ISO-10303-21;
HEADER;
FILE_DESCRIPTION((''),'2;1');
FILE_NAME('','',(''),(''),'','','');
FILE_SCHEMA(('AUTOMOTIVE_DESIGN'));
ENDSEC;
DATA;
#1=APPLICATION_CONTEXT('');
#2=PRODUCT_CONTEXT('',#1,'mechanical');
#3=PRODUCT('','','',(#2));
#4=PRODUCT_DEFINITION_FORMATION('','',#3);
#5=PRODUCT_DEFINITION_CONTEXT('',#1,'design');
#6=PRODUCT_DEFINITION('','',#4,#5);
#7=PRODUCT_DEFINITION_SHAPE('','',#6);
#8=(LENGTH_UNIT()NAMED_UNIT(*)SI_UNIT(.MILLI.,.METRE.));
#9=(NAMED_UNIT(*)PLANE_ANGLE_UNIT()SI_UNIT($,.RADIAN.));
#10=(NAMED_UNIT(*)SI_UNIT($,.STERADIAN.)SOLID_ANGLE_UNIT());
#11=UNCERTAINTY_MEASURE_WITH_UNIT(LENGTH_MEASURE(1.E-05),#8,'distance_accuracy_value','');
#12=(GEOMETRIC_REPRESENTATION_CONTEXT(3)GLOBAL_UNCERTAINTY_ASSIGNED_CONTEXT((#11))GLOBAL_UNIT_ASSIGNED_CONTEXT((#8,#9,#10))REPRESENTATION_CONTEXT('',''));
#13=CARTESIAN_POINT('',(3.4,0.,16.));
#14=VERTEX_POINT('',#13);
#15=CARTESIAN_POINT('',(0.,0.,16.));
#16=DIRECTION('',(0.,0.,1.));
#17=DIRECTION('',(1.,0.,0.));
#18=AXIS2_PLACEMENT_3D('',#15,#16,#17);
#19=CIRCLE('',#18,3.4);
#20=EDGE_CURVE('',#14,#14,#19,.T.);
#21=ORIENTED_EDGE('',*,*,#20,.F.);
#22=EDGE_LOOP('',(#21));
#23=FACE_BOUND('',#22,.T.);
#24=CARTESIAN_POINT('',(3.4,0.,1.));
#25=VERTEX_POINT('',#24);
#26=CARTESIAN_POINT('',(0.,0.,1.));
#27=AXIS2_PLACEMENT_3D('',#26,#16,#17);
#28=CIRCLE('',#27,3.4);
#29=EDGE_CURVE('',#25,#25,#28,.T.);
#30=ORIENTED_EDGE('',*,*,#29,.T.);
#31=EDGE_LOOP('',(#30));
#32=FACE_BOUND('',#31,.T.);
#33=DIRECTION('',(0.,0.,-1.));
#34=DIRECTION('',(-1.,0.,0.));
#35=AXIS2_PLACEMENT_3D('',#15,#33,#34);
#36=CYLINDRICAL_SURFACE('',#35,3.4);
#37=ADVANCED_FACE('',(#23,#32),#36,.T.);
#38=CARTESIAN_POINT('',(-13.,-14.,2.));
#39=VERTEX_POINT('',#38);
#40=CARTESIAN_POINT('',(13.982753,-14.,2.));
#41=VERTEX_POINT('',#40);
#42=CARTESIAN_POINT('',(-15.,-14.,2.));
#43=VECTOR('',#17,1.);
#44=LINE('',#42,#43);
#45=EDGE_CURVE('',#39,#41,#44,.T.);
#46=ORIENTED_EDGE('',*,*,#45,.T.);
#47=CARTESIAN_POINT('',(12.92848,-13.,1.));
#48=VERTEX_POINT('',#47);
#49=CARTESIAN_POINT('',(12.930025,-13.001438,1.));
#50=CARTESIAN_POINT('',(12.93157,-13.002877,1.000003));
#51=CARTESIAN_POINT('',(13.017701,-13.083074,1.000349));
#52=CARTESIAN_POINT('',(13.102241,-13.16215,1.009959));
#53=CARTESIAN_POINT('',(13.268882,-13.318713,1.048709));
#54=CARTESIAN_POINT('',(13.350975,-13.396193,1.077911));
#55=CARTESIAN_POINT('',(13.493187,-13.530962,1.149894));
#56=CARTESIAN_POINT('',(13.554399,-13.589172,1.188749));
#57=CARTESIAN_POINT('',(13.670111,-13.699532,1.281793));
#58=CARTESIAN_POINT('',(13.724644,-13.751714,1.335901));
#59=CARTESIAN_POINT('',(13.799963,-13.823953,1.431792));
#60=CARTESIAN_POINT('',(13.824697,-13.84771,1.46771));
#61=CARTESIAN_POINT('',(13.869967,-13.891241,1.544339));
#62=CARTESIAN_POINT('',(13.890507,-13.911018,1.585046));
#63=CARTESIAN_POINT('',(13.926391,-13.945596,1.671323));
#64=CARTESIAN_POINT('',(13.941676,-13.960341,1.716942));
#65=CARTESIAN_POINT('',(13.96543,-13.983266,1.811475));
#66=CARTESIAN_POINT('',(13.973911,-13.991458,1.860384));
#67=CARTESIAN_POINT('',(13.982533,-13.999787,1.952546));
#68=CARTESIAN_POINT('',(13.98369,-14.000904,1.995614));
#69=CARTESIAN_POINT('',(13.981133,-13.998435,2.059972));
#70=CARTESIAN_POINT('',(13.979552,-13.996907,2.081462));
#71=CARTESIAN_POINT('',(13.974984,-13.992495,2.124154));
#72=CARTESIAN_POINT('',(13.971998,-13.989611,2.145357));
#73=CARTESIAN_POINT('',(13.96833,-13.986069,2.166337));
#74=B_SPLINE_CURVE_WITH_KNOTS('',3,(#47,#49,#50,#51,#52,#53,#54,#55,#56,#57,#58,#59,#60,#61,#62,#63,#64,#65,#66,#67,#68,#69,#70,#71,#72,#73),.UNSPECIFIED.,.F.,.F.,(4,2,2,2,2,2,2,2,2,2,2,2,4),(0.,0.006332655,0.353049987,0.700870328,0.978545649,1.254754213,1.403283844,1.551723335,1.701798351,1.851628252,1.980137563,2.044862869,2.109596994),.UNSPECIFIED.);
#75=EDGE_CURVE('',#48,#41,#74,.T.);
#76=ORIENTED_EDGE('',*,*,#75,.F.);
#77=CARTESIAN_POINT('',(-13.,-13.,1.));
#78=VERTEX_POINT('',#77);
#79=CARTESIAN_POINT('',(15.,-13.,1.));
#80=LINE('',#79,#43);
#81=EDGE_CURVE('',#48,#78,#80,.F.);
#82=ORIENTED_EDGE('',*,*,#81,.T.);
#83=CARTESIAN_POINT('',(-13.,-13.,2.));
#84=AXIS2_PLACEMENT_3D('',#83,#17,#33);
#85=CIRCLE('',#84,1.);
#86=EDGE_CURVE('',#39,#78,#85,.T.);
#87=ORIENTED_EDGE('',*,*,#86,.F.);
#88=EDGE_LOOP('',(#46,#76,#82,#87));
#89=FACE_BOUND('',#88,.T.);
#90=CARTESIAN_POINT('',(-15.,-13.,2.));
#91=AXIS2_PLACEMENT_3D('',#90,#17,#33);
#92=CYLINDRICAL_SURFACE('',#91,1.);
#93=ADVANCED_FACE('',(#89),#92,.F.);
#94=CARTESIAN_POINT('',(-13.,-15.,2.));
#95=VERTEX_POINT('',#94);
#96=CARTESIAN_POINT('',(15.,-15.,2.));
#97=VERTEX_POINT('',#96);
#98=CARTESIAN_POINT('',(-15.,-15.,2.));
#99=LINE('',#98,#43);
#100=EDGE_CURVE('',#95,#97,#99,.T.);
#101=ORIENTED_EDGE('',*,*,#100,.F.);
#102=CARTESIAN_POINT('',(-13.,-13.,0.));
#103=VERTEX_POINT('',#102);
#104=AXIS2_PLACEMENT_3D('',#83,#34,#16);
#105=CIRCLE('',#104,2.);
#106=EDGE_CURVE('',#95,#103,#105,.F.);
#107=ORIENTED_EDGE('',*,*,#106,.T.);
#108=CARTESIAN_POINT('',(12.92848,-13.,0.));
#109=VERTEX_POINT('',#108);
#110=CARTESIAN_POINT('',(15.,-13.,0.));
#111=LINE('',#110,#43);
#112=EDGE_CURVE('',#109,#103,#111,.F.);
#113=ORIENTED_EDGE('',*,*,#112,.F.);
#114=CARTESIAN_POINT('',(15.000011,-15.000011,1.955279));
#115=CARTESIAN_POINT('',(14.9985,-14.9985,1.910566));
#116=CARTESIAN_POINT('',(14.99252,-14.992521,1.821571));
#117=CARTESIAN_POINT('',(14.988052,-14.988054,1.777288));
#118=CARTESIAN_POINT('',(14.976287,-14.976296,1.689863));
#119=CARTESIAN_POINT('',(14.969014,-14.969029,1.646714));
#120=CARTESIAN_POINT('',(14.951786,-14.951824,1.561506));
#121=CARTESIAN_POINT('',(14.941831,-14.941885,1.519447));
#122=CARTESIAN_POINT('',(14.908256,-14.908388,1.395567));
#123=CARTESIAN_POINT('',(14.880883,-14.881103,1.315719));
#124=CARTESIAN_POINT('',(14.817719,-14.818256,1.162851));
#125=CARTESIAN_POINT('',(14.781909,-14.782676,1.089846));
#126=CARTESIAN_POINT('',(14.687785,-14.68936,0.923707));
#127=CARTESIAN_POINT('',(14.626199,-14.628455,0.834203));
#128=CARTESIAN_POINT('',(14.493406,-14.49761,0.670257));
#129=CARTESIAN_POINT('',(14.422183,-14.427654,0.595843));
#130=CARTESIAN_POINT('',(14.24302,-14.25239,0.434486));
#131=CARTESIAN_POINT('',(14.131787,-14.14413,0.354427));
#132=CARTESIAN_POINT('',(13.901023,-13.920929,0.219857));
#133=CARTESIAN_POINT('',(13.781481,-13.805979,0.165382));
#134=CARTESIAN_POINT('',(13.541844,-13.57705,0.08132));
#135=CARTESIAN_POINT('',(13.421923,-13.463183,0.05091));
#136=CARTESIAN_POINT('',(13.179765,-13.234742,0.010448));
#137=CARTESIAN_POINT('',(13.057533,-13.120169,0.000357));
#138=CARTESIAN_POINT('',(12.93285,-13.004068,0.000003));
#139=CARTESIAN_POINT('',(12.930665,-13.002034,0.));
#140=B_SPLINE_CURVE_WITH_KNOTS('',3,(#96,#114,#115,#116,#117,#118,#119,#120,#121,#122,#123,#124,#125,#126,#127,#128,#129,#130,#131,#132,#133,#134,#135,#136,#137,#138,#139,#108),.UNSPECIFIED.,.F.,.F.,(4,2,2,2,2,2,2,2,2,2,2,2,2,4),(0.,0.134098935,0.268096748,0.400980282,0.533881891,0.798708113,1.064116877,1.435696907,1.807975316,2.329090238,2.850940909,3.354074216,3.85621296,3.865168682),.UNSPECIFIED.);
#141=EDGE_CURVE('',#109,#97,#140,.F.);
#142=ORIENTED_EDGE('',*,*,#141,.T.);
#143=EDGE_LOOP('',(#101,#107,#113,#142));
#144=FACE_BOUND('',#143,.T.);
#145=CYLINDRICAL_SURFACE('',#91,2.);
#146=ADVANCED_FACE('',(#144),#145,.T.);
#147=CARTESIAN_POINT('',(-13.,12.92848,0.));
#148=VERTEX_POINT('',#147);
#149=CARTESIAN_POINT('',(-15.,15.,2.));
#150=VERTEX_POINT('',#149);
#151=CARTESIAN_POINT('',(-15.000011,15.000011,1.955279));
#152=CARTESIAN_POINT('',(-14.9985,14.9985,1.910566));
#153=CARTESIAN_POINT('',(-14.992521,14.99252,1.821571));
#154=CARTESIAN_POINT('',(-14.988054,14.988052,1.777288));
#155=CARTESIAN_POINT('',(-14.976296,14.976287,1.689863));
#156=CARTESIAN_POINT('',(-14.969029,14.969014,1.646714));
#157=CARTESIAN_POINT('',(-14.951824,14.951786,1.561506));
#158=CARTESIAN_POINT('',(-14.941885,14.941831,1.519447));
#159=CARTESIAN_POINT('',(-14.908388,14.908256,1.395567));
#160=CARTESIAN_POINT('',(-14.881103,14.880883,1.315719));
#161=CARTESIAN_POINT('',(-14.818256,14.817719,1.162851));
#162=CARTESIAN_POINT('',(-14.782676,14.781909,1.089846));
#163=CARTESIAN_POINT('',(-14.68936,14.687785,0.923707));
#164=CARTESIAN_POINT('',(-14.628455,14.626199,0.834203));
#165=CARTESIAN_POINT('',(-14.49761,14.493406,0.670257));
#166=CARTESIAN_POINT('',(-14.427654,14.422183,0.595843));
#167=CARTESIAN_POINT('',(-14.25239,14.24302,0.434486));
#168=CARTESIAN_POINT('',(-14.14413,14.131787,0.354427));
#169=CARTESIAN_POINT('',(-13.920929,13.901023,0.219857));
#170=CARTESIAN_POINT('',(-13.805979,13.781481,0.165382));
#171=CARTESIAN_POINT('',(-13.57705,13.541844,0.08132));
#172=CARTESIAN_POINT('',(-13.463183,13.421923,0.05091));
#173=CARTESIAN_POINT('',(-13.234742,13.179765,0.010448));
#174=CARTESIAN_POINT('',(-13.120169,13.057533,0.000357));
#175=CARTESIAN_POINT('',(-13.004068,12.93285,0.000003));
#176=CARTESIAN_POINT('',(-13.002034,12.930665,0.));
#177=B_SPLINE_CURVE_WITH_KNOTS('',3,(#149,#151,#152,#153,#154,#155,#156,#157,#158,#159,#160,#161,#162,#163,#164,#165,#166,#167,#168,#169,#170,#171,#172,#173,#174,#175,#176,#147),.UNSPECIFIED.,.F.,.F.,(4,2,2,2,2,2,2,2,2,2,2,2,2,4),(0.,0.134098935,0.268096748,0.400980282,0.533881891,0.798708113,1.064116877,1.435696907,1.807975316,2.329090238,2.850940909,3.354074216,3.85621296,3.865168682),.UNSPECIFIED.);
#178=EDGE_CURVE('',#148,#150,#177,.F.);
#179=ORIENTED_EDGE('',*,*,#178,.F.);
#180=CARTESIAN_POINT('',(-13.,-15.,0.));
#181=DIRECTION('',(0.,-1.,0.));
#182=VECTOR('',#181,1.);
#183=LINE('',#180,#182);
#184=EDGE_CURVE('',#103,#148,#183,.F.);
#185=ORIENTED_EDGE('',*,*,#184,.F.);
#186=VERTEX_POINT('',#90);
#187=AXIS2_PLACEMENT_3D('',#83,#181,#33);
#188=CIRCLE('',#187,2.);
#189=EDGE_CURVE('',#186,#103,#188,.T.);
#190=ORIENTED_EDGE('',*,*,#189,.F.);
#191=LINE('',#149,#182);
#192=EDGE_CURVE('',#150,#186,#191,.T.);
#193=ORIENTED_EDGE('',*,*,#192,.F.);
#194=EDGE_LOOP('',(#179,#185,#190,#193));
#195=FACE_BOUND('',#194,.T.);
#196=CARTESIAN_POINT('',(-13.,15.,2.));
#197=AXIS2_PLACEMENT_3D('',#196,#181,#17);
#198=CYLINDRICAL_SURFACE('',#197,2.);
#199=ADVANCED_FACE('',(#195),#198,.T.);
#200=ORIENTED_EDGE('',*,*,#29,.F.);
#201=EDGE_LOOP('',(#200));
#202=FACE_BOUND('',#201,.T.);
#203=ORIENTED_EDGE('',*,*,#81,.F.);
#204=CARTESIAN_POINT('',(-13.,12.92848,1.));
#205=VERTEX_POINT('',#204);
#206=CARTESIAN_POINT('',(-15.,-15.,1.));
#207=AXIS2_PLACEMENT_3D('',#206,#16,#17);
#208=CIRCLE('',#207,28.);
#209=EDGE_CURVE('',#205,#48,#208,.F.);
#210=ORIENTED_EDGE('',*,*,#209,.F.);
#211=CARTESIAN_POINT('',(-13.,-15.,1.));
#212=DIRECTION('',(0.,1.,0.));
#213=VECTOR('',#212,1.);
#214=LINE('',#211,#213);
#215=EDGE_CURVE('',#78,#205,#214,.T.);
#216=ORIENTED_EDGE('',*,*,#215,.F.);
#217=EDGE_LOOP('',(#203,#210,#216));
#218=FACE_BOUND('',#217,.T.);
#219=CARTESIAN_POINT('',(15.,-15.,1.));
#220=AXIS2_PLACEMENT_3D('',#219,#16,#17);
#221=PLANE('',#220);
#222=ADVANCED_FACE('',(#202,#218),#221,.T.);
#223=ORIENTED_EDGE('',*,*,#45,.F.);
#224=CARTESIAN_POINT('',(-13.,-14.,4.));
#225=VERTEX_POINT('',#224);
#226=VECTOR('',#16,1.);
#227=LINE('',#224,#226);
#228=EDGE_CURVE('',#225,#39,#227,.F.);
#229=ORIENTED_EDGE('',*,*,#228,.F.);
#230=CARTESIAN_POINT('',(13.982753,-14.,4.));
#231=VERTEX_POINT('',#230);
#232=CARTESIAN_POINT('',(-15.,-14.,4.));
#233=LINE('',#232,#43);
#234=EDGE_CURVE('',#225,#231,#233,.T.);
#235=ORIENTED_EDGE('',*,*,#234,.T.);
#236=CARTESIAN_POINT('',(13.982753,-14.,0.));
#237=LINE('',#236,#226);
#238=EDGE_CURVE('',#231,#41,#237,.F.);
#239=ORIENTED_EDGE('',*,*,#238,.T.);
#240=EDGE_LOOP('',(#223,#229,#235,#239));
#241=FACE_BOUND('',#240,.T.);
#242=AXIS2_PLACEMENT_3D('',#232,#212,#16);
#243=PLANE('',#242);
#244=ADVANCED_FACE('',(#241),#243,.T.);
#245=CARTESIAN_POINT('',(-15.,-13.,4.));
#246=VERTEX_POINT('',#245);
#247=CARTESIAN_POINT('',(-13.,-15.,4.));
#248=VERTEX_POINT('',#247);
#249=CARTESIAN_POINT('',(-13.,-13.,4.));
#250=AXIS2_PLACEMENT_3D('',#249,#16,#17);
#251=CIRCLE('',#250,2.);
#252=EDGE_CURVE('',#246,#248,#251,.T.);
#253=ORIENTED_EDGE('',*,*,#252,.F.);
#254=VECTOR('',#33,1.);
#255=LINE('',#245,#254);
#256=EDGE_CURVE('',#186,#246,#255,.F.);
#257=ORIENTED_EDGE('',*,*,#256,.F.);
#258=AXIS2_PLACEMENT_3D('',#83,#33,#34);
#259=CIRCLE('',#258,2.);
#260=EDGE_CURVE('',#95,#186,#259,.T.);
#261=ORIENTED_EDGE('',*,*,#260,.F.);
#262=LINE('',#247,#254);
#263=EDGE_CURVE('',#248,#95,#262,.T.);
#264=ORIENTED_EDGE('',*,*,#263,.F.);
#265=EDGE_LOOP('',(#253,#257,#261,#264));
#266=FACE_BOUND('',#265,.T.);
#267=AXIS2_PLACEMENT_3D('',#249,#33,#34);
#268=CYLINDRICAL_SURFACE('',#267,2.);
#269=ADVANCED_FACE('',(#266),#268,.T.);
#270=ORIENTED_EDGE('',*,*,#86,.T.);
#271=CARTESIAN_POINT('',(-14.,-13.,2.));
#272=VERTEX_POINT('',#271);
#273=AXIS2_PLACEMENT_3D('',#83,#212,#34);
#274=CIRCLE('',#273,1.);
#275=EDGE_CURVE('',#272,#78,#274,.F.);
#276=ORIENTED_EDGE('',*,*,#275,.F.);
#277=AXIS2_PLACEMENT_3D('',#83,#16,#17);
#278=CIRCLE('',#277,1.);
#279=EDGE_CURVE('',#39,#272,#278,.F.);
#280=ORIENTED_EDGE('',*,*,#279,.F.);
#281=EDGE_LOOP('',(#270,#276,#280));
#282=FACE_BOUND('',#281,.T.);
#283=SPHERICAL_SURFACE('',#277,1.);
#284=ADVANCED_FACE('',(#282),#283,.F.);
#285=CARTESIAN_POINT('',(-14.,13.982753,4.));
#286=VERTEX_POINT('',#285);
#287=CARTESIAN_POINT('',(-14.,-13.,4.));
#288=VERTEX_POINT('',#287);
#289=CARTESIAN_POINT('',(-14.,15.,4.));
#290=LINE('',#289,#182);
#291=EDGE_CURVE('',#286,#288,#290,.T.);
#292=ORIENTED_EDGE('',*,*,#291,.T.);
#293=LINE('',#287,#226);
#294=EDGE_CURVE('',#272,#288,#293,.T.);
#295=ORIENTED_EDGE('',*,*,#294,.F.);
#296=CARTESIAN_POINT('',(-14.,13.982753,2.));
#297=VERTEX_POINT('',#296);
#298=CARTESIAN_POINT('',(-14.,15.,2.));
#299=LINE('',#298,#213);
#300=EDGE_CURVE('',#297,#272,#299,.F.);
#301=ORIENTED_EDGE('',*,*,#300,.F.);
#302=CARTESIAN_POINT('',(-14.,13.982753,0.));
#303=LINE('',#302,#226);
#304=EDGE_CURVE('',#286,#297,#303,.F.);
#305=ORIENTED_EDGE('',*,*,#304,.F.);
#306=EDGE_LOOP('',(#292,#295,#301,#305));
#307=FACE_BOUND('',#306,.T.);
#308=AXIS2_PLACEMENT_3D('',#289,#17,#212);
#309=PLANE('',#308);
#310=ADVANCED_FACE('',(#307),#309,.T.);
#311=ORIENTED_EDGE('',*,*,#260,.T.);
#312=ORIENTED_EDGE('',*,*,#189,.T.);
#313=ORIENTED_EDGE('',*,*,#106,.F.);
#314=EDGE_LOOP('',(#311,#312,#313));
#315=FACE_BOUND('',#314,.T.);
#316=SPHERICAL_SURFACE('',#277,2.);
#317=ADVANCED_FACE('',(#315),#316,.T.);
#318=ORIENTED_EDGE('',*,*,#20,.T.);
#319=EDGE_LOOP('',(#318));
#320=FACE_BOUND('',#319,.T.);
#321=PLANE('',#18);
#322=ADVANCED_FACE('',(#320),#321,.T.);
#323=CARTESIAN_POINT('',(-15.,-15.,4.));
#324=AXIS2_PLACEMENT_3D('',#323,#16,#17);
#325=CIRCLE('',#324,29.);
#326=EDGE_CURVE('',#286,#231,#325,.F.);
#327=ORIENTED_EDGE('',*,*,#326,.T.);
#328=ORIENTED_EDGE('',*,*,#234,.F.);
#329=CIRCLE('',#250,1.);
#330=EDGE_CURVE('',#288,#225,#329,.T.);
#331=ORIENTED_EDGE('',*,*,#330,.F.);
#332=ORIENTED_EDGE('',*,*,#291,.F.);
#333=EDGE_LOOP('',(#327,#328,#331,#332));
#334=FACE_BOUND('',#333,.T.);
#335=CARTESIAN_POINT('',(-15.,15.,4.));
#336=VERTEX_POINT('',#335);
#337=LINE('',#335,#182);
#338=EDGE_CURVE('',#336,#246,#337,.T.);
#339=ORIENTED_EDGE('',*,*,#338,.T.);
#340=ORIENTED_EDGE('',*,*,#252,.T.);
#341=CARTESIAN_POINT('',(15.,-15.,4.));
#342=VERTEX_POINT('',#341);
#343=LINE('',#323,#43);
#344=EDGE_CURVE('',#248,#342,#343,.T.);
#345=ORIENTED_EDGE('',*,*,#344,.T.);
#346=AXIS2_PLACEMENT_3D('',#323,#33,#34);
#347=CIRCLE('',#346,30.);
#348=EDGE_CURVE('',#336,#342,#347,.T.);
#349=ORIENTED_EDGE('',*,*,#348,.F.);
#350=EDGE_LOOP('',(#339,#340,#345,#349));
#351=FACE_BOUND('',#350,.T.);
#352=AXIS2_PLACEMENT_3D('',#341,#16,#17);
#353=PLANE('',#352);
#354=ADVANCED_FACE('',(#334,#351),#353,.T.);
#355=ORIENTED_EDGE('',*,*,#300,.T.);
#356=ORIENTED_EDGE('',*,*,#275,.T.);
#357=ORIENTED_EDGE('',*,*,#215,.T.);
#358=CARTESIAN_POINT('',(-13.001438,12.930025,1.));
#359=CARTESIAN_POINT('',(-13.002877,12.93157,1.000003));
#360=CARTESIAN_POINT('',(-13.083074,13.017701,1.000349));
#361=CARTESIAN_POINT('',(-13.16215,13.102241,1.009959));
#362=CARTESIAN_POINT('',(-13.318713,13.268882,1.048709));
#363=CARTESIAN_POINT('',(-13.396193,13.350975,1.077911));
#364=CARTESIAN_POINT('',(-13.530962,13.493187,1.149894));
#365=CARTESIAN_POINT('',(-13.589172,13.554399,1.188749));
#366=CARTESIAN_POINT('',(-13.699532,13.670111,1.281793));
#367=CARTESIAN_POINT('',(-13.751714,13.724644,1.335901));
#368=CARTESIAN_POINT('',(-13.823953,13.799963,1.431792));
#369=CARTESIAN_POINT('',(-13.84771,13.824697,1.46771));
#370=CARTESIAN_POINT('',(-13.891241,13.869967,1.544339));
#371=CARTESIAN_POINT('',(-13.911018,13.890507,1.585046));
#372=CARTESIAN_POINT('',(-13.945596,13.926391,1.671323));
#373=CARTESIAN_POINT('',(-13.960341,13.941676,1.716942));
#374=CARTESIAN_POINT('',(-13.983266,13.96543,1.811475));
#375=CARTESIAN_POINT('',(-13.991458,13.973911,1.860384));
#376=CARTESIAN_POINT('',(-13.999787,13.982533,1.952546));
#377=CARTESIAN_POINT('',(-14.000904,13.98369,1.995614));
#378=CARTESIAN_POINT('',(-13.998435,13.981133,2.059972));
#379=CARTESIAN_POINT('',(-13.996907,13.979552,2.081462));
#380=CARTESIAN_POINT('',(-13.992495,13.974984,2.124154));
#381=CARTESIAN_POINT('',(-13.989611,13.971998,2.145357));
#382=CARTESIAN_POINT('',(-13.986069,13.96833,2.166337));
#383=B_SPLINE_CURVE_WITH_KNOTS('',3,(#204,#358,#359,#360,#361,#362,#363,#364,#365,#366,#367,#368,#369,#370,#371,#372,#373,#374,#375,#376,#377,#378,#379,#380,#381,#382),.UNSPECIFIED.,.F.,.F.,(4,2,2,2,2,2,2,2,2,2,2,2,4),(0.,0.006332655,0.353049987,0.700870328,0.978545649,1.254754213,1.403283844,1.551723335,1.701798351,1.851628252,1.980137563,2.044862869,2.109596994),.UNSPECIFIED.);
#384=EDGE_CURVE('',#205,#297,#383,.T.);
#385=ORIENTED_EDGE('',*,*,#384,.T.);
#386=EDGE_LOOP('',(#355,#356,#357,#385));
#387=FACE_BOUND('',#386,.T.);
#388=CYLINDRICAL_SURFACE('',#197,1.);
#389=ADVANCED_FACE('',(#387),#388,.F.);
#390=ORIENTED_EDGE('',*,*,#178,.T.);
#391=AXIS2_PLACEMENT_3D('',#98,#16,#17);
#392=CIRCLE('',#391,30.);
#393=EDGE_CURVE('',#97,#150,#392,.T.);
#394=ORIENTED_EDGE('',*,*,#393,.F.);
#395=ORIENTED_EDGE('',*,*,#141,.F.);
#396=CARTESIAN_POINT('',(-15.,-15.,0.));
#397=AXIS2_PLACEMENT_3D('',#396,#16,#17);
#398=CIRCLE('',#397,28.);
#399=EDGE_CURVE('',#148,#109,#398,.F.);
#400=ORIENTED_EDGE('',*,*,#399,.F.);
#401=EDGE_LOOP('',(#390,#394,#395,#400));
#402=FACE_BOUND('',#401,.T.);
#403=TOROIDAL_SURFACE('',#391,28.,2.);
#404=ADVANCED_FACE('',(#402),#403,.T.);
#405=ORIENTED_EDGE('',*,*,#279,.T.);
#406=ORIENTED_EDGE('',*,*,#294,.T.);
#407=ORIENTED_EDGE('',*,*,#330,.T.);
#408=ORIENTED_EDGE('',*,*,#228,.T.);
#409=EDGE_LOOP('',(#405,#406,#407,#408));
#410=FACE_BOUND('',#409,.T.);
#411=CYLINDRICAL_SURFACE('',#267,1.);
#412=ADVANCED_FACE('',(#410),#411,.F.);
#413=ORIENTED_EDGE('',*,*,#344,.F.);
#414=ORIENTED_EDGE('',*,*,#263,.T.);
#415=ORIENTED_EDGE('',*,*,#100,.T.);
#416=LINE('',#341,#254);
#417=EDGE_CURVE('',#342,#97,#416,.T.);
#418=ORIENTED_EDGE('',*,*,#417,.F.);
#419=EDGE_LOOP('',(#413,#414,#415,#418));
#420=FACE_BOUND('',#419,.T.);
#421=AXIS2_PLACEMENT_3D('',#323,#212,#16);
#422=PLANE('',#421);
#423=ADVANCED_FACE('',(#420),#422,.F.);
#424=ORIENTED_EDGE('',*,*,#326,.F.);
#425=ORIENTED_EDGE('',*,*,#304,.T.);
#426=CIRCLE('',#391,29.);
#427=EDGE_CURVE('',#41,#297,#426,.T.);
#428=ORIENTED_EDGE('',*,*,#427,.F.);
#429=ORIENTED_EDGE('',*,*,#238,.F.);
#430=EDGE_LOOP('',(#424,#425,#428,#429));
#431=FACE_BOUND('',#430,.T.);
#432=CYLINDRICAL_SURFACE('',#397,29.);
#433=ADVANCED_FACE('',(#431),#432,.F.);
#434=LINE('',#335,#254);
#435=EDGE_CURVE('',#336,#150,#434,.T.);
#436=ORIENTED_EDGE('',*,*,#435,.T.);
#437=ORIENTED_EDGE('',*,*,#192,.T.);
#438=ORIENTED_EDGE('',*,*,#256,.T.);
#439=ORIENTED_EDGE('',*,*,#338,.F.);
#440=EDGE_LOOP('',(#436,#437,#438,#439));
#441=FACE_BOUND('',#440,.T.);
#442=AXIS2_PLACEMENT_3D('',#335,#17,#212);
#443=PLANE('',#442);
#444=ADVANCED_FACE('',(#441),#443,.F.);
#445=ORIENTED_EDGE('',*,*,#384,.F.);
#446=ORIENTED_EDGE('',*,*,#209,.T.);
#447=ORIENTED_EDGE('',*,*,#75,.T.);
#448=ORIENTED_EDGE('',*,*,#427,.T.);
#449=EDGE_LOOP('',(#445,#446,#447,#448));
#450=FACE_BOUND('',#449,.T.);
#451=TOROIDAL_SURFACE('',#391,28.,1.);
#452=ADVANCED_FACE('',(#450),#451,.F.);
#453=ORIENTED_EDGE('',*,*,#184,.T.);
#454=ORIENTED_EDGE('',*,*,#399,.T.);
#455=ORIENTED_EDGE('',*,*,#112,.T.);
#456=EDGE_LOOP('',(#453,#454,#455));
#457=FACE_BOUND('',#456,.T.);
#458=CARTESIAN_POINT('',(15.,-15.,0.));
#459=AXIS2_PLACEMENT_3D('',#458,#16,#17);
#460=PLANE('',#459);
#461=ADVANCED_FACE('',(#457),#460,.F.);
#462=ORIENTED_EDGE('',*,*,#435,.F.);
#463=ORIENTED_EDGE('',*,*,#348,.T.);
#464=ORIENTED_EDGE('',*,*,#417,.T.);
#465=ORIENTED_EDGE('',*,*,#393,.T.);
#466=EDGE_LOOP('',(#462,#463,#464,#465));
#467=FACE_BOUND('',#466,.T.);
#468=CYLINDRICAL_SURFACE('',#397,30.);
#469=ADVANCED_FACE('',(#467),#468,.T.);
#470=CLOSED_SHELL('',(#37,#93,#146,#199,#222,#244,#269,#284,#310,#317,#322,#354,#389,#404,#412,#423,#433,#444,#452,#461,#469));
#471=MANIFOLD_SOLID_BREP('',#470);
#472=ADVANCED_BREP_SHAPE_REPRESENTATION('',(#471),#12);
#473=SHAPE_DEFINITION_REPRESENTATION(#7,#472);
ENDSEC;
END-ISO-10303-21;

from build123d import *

# Parameters (mm, degrees)
SKETCH_1_W          = 30
SKETCH_1_H          = 30
EXTRUDE_1_DEPTH     = 4
CUT_EXTRUDE_1_DEPTH = 22.587033145
FILLET_1_R          = 2
SHELL_1_T           = -1
SKETCH_2_R          = 3.4
EXTRUDE_2_DEPTH     = 15


with BuildPart() as part:
    # 草图1 → 凸台-拉伸1 (new body)
    with BuildSketch(Plane.XY):
        Rectangle(SKETCH_1_W, SKETCH_1_H)
    extrude(amount=EXTRUDE_1_DEPTH)

    # 草图4 → 切除-拉伸1 (cut, through all)
    with BuildSketch(Plane.XY.offset(4)):
        with BuildLine():
            Line((-15, 15), (15, 15))
            Line((15, 15), (15, -15))
            ThreePointArc((15, -15), (6.213203436, 6.213203436), (-15, 15))
        make_face()
    extrude(amount=-CUT_EXTRUDE_1_DEPTH, mode=Mode.SUBTRACT)

    # 圆角1
    fillet_1_edges = [part.edges().sort_by_distance(p)[0] for p in [
        (6.213203436, 6.213203436, 0),
        (0, -15, 0),
        (-15, 0, 0),
        (-15, -15, 2),
    ]]
    fillet(fillet_1_edges, radius=FILLET_1_R)

    # 抽壳1
    shell_1_openings = [part.faces().sort_by_distance(p)[0] for p in [
        (-2.252666732, -2.252666732, 4),
    ]]
    offset(amount=SHELL_1_T, openings=shell_1_openings)

    # 草图2 → 凸台-拉伸2 (add)
    with BuildSketch(Plane.XY.offset(1)):
        Circle(SKETCH_2_R)
    extrude(amount=EXTRUDE_2_DEPTH)


solid = part.part
